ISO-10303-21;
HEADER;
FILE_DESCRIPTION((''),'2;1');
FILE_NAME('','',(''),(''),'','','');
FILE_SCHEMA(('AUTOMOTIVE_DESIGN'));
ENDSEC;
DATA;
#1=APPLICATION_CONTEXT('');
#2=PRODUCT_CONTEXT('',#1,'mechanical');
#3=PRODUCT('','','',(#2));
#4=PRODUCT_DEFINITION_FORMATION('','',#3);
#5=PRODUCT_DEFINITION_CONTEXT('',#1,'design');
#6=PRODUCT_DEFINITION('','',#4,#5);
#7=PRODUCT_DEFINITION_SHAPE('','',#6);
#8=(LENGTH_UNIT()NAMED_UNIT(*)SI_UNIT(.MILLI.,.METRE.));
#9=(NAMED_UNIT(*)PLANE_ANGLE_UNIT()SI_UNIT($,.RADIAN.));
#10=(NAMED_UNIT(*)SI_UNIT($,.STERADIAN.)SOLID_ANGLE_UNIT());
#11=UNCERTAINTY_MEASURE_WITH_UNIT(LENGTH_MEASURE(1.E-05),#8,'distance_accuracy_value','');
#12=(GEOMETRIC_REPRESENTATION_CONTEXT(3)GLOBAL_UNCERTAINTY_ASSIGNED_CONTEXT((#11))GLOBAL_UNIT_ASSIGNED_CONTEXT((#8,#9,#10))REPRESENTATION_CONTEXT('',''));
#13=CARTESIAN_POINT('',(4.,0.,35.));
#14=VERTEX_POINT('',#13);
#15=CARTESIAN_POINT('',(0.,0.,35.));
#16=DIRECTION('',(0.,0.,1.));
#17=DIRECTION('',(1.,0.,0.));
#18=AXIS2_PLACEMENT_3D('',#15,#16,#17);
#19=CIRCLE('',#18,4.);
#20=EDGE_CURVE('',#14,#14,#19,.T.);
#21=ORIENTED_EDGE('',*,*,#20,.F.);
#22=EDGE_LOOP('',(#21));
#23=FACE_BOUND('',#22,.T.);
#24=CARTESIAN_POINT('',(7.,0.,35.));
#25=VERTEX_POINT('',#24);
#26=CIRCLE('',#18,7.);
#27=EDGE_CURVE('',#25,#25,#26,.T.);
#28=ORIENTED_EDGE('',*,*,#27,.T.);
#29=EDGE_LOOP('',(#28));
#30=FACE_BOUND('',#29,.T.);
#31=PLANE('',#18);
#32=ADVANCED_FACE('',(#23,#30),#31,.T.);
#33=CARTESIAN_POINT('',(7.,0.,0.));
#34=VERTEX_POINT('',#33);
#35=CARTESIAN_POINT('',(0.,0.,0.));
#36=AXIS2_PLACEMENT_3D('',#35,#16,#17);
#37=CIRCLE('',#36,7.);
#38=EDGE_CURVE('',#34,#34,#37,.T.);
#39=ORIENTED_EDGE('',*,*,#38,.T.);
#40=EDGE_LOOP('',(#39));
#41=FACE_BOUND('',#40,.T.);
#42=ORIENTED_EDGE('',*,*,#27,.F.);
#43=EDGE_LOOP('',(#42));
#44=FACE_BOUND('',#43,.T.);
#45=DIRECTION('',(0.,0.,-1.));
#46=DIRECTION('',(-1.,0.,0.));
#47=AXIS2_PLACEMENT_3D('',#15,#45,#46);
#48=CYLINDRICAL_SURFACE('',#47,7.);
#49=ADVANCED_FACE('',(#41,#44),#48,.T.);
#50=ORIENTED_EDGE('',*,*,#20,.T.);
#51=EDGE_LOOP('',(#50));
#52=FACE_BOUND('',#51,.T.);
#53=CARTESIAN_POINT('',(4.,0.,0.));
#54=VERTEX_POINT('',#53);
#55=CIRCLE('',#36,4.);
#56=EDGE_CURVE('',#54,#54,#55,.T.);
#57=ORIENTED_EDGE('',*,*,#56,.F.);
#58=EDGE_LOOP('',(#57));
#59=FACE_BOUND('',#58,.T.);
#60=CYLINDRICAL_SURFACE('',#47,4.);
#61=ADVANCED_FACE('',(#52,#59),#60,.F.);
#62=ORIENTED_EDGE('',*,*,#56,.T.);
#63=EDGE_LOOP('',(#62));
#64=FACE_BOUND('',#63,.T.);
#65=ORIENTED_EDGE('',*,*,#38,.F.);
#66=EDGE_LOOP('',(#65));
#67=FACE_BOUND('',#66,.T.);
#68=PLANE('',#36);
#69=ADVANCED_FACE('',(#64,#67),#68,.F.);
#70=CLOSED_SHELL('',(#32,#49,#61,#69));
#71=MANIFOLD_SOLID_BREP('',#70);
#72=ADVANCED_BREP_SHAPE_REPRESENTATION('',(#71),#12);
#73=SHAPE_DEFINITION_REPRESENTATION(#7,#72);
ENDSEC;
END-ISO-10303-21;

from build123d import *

# Parameters (mm, degrees)
SKETCH1_R           = 7
SKETCH1_R_2         = 4
BOSS_EXTRUDE1_DEPTH = 35


with BuildPart() as part:
    # Sketch1 → Boss-Extrude1 (new body)
    with BuildSketch(Plane.XY):
        Circle(SKETCH1_R)
        Circle(SKETCH1_R_2, mode=Mode.SUBTRACT)
    extrude(amount=BOSS_EXTRUDE1_DEPTH)


solid = part.part
